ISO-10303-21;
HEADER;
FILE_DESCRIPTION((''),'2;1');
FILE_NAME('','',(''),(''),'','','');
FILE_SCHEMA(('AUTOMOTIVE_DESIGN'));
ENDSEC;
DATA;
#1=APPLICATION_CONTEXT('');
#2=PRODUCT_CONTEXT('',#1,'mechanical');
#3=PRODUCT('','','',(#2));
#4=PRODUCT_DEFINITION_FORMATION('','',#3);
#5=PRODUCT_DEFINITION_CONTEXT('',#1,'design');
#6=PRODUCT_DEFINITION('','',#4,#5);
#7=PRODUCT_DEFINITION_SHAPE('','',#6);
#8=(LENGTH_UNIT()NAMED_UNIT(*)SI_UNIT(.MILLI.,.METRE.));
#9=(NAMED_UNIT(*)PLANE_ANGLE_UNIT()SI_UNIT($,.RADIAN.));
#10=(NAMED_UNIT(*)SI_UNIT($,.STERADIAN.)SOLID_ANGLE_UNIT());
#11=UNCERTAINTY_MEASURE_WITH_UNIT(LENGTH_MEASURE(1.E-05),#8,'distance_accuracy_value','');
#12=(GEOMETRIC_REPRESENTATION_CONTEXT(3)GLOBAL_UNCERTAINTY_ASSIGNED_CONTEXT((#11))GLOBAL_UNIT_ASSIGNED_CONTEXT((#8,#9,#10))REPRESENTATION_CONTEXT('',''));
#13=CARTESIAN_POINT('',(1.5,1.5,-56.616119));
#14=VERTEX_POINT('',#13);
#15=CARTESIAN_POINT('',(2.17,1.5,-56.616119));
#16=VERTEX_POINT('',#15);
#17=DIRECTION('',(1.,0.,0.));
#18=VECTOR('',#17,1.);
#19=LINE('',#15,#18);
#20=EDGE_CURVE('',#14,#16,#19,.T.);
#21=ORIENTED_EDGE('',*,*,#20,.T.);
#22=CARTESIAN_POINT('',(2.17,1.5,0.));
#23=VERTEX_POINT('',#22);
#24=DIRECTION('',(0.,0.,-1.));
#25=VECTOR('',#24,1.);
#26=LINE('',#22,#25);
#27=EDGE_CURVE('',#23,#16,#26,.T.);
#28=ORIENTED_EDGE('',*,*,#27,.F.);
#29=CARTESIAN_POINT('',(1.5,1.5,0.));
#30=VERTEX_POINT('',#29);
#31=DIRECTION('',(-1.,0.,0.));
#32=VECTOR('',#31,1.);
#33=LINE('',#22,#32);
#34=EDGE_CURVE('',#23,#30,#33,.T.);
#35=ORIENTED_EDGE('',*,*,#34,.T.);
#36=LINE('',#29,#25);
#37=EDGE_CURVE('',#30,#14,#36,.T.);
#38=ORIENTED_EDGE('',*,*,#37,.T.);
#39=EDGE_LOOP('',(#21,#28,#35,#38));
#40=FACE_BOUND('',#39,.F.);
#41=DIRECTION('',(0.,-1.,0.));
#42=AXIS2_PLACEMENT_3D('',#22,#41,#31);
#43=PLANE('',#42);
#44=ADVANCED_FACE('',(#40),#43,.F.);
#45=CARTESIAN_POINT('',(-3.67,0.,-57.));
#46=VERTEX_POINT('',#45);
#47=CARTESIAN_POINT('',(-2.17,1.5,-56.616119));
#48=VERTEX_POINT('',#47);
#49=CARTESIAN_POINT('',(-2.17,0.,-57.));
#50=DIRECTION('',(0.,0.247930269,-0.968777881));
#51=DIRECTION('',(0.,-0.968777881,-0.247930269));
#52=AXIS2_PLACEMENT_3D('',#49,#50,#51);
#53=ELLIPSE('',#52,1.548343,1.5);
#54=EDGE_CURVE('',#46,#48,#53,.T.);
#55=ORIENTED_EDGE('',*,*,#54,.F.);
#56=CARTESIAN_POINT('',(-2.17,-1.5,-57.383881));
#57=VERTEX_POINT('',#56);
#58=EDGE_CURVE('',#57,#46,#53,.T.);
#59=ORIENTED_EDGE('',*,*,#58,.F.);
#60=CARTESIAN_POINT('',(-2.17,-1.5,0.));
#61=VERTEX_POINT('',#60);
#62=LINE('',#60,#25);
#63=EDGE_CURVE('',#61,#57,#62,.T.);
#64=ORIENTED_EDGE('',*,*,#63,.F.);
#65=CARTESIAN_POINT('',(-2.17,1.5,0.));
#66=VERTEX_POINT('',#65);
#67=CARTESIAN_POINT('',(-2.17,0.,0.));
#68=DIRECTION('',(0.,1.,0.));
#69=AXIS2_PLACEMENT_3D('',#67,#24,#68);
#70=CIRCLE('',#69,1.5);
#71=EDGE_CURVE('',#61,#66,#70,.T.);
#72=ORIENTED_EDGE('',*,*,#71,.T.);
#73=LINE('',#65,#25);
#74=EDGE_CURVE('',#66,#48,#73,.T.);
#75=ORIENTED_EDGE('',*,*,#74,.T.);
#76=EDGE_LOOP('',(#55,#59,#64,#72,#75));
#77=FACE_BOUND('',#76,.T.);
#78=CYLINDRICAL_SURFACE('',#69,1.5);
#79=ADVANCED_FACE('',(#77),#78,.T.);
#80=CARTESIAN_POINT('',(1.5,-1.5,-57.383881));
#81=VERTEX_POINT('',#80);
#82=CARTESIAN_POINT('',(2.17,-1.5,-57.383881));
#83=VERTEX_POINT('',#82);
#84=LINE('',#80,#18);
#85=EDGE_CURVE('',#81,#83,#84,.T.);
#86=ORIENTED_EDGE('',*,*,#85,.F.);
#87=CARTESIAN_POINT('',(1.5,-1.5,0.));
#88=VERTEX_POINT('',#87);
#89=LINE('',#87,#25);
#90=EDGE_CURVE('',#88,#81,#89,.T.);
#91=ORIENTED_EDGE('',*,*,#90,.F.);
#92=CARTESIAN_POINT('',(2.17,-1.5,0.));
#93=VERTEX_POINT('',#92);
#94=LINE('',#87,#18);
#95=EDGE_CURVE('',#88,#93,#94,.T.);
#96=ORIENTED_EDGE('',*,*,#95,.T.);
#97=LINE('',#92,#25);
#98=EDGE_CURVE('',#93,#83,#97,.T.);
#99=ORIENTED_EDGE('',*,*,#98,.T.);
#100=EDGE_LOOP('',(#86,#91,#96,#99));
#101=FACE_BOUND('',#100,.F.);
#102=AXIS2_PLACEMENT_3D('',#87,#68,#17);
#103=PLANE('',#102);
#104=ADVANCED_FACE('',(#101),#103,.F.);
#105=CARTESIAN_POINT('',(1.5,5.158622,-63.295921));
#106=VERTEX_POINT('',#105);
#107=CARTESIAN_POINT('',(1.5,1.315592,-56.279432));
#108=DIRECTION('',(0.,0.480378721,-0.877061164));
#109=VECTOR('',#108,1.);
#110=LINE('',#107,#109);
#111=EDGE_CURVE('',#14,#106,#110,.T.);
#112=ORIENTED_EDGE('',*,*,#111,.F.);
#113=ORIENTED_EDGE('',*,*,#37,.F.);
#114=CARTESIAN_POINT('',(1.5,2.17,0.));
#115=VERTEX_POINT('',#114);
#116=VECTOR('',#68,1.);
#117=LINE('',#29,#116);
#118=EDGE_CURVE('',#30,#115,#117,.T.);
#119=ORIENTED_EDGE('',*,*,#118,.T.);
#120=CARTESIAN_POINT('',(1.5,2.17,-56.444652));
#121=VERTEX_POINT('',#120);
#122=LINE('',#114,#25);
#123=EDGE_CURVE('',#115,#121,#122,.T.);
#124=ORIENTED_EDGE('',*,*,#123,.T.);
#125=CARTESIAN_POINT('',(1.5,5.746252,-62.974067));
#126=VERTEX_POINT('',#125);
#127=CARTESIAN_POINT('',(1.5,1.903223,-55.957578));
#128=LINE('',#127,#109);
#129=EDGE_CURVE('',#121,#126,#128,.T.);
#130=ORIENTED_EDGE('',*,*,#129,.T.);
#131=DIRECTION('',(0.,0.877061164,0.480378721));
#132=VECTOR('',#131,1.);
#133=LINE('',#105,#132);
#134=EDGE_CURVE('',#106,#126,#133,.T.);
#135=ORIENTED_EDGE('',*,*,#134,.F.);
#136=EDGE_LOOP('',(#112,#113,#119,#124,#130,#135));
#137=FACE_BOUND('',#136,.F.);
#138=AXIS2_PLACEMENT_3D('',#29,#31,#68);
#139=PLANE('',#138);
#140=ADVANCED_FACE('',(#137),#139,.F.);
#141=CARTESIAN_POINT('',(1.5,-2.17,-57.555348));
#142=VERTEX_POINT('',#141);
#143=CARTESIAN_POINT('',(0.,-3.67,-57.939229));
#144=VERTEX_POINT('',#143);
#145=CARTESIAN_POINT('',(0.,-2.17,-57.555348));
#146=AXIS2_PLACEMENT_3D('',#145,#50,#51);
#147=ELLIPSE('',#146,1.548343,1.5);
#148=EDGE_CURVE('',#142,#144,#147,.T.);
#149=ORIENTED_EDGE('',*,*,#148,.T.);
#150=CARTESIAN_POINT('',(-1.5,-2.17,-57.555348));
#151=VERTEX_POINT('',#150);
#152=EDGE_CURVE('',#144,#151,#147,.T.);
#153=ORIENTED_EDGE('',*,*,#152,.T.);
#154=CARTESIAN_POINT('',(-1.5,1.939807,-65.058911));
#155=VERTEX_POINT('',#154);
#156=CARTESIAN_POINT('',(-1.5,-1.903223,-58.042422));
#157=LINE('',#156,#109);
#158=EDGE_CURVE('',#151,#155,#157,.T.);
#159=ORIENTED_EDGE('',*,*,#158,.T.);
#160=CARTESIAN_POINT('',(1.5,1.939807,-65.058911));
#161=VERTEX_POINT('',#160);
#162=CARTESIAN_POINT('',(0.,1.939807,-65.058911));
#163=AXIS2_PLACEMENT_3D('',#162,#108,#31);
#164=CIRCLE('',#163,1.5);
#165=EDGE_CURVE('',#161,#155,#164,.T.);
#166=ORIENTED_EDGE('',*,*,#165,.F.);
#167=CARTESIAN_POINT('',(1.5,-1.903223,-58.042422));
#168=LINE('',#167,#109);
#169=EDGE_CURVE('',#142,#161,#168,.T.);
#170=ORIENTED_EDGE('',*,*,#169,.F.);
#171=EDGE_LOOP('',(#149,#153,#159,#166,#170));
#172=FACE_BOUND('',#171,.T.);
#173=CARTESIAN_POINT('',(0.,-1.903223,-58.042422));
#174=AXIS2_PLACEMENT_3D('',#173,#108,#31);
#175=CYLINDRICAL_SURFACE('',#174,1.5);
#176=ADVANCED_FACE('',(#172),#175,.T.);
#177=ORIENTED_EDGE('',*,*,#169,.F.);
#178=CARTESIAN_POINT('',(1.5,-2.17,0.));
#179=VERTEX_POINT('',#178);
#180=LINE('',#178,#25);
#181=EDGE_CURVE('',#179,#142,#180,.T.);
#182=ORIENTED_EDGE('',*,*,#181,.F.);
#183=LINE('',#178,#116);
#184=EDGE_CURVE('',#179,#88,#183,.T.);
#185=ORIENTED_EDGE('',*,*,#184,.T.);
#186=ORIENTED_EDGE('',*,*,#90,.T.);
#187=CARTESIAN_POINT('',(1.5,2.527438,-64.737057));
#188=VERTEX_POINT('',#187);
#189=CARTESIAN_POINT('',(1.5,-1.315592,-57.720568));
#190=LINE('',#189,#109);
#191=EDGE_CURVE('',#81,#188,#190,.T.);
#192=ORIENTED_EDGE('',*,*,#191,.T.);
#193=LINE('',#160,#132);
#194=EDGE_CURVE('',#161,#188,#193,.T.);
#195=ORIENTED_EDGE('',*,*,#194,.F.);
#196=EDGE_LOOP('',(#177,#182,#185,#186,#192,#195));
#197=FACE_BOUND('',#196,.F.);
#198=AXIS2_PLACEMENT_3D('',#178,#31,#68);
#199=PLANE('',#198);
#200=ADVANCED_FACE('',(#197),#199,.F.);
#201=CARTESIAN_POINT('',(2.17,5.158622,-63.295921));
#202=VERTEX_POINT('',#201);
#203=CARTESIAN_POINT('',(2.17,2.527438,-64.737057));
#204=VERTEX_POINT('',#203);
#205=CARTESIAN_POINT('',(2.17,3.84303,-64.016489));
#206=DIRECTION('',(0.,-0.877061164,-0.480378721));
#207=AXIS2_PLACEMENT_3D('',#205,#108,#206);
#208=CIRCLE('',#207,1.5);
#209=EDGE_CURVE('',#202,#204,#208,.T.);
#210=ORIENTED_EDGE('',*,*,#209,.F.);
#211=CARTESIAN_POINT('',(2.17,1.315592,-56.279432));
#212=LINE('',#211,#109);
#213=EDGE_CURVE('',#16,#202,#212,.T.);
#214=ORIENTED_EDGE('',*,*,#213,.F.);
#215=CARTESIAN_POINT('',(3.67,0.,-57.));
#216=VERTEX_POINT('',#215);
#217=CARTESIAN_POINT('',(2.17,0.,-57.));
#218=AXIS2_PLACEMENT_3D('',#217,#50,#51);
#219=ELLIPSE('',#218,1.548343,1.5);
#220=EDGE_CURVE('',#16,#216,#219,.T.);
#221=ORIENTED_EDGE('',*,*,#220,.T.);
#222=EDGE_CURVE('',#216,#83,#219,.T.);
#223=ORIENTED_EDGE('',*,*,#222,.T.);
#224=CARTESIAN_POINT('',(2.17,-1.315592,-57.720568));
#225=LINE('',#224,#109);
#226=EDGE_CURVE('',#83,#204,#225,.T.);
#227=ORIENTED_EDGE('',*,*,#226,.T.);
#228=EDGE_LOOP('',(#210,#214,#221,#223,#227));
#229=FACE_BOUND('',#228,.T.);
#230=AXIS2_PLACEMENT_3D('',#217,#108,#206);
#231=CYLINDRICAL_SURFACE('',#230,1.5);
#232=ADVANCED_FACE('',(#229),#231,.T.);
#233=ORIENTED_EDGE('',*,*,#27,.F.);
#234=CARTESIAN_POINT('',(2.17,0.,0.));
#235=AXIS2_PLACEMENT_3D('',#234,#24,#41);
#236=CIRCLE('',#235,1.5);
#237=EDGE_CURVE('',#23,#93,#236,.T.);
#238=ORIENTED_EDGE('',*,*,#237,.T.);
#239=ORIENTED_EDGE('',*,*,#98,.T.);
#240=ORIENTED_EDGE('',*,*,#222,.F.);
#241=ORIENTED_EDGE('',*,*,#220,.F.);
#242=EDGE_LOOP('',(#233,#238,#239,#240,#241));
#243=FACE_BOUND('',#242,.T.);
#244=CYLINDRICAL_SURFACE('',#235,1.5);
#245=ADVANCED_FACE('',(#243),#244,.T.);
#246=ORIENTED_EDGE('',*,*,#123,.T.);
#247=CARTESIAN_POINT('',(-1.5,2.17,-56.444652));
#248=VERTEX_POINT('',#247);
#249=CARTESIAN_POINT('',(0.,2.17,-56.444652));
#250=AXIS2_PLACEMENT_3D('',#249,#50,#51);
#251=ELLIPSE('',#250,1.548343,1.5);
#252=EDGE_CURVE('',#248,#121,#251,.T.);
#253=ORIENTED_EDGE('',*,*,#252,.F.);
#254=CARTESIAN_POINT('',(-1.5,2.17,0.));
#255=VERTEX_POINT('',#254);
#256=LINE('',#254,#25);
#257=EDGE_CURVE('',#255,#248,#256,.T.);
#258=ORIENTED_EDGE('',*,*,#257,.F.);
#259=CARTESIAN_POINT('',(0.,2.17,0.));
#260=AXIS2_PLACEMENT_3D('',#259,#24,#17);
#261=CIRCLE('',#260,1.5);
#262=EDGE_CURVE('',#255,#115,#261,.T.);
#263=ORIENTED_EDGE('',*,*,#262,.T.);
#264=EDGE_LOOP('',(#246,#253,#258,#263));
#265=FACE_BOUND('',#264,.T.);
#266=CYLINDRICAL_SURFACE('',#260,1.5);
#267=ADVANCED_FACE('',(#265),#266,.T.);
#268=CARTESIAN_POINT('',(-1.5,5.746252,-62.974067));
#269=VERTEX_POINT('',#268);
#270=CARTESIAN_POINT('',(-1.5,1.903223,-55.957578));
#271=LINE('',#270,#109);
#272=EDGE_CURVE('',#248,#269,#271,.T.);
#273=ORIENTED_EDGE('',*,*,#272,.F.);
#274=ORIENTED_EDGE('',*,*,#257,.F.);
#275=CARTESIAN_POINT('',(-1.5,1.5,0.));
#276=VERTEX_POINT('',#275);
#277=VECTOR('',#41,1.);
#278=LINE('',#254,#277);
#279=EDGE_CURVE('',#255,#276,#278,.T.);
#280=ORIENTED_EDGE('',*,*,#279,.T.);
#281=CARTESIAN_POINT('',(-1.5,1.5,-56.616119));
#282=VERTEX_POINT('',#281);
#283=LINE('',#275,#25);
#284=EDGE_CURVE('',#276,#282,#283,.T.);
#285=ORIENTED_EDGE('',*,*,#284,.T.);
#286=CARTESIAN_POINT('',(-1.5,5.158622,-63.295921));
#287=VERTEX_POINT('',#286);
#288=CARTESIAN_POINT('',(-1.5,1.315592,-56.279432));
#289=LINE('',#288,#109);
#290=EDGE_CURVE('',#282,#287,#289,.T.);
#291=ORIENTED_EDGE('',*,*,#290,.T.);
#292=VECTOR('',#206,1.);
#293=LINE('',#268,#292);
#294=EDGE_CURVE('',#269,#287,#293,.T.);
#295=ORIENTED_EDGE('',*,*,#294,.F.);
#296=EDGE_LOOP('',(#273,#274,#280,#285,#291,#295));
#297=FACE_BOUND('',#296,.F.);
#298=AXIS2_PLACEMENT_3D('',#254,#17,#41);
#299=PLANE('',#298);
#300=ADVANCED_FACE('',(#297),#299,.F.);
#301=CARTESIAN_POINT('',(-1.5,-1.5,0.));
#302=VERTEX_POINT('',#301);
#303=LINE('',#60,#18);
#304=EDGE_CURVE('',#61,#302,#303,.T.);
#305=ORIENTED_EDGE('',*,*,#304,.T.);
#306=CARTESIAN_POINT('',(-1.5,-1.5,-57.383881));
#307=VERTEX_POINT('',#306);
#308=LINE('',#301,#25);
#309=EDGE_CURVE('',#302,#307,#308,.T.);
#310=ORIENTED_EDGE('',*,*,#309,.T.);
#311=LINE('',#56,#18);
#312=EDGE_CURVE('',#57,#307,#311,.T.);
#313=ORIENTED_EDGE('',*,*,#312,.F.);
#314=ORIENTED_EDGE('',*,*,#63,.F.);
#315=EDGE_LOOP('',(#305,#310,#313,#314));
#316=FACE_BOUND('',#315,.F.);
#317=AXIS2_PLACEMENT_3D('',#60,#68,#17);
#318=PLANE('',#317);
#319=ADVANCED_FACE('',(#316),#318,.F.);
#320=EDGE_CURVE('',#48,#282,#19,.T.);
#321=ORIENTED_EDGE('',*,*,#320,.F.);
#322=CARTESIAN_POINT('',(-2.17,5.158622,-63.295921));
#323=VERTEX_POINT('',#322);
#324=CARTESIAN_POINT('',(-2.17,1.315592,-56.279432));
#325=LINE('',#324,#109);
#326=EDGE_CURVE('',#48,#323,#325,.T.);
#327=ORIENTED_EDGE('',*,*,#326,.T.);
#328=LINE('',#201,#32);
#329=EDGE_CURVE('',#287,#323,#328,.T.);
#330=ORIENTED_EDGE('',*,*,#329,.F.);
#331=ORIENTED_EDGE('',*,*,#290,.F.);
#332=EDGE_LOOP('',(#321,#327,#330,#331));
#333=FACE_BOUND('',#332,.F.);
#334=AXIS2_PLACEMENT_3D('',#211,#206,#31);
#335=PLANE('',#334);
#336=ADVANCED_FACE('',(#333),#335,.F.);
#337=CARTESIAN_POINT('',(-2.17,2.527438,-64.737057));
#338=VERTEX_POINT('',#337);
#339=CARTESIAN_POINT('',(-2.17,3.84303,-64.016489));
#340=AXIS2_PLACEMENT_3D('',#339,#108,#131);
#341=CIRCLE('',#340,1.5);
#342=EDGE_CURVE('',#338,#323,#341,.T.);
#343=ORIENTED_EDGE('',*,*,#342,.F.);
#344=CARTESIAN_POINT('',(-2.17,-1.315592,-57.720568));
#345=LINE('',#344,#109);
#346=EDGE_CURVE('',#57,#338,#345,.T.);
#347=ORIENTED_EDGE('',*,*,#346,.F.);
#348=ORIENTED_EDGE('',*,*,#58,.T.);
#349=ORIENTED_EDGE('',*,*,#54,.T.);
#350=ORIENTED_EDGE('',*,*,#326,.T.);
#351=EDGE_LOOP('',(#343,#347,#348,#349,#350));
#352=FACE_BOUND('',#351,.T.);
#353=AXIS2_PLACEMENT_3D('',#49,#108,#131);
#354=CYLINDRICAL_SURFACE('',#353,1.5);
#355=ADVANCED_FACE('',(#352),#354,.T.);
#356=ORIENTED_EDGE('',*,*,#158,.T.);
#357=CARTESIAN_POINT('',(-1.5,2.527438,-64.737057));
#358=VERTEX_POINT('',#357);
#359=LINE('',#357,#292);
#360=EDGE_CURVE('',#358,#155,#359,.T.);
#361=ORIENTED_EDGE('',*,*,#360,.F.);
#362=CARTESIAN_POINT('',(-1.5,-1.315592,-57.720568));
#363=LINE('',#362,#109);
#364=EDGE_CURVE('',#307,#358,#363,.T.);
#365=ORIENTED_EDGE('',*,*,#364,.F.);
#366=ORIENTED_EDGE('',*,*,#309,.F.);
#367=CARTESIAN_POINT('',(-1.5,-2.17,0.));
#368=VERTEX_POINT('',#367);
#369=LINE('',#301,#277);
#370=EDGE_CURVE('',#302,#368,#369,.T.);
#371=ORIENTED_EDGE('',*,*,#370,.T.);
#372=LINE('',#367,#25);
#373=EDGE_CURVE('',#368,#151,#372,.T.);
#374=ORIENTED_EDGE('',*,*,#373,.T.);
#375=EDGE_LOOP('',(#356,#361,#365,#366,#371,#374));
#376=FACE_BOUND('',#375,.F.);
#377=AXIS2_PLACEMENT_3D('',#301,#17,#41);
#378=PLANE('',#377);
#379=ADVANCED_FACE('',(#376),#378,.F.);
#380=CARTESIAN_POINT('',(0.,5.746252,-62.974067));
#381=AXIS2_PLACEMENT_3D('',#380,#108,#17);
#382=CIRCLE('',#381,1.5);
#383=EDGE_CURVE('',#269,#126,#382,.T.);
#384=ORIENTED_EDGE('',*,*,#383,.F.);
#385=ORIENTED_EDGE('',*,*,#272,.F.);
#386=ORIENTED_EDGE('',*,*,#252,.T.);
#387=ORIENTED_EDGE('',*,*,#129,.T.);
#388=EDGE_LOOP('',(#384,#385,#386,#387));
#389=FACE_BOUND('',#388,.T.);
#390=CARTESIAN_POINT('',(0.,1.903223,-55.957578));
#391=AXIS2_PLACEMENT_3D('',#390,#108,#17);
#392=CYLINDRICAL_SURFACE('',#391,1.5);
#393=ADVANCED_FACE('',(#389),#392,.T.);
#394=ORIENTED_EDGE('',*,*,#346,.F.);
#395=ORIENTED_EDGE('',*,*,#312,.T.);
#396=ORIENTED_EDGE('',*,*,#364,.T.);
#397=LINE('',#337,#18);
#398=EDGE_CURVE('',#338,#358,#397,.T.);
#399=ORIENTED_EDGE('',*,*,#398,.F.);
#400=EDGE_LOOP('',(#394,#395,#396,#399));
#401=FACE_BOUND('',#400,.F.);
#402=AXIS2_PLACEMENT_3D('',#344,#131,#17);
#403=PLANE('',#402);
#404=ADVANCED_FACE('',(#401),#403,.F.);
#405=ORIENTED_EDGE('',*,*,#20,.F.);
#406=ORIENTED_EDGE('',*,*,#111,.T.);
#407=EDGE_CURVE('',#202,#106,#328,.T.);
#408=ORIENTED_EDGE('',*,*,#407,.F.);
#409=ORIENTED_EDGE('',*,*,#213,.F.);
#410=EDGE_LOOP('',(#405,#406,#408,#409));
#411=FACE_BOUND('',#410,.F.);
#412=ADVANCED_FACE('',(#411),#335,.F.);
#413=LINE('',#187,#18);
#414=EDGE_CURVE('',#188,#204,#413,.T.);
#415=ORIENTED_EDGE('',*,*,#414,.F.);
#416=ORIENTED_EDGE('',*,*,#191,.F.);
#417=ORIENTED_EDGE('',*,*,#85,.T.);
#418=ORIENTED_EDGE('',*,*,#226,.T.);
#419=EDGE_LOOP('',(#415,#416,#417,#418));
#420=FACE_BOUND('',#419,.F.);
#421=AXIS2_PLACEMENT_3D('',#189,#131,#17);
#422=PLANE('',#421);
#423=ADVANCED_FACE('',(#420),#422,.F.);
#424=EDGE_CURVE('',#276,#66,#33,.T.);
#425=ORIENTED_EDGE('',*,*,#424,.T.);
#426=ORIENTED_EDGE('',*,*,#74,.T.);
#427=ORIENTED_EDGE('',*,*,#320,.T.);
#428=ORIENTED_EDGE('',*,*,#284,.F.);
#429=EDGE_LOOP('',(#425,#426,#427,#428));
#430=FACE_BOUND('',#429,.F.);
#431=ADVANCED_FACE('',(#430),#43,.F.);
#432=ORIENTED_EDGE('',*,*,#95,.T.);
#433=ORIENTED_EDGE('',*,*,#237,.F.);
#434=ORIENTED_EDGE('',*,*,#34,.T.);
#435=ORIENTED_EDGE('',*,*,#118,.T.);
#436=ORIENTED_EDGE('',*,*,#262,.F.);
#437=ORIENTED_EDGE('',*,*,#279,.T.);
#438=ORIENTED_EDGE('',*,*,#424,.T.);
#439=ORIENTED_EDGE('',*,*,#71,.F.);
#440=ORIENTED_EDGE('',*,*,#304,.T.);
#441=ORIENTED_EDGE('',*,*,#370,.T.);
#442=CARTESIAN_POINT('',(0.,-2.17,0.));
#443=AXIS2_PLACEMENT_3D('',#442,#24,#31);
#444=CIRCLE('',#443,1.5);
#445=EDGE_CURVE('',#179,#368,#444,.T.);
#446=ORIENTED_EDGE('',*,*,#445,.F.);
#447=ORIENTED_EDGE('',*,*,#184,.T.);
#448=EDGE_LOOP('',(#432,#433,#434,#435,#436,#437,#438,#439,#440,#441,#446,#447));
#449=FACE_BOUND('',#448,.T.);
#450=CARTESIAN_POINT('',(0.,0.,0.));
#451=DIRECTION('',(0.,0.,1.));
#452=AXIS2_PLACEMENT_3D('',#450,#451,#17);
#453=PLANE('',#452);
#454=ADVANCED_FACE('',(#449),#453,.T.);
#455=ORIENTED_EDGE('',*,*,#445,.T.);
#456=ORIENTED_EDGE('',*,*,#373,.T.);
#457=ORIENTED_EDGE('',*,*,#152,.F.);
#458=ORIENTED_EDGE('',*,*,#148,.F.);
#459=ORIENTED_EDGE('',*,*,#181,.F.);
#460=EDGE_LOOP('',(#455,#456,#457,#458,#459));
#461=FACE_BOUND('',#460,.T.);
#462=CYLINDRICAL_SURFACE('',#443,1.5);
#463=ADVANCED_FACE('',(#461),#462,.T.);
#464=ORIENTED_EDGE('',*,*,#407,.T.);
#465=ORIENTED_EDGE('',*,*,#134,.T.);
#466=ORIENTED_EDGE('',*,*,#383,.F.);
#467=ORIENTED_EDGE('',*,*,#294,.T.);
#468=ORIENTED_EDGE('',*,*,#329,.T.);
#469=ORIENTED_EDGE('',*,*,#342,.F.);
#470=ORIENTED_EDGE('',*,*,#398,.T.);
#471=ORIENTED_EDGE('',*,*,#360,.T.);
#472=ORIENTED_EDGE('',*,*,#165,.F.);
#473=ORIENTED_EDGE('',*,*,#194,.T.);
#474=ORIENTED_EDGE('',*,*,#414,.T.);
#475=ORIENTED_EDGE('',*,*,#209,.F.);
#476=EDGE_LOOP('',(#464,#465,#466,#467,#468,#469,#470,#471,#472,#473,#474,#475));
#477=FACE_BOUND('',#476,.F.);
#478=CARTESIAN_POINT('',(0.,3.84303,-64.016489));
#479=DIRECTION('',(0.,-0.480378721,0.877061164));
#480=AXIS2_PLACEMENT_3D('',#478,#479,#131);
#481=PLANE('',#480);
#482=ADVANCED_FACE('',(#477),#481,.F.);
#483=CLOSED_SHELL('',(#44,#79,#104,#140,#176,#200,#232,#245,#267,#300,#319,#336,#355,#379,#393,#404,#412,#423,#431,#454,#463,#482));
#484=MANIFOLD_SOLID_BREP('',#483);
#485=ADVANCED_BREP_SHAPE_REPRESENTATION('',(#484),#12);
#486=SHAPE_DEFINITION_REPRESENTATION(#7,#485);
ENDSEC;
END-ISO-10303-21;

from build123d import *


with BuildPart() as f2:
    # F2: sweep along a path in F1
    with BuildLine(Plane.YZ) as f2_path:
        Line((0, 0), (0, -57))
        Line((0, -57), (3.843029767, -64.016489308))
    # F0 (on Top) → F2 (sweep)
    with BuildSketch(Plane.XY):
        with BuildLine():
            Line((0, -1.5), (0, 0))
            Line((0, 0), (-1.5, 0))
            ThreePointArc((-1.5, 0), (-1.0606601718, -1.0606601718), (0, -1.5))
        make_face()
        with BuildLine():
            Line((0, 0), (0, 1.5))
            ThreePointArc((0, 1.5), (-1.0606601718, 1.0606601718), (-1.5, 0))
            Line((-1.5, 0), (0, 0))
        make_face()
        with BuildLine():
            Line((-1.5, -1.5), (-1.5, 0))
            Line((-1.5, 0), (-1.5, 1.5))
            Line((-1.5, 1.5), (-2.17, 1.5))
            ThreePointArc((-2.17, 1.5), (-3.67, 0), (-2.17, -1.5))
            Line((-2.17, -1.5), (-1.5, -1.5))
        make_face()
        with BuildLine():
            Line((0, 0), (1.5, 0))
            ThreePointArc((1.5, 0), (1.0606601718, 1.0606601718), (0, 1.5))
            Line((0, 1.5), (0, 0))
        make_face()
        with BuildLine():
            Line((1.5, -1.5), (1.5, 0))
            ThreePointArc((1.5, 0), (1.0606601718, -1.0606601718), (0, -1.5))
            Line((0, -1.5), (1.5, -1.5))
        make_face()
        with BuildLine():
            Line((-1.5, -1.5), (0, -1.5))
            ThreePointArc((0, -1.5), (-1.0606601718, -1.0606601718), (-1.5, 0))
            Line((-1.5, 0), (-1.5, -1.5))
        make_face()
        with BuildLine():
            ThreePointArc((-1.5, 0), (-1.0606601718, 1.0606601718), (0, 1.5))
            Line((0, 1.5), (-1.5, 1.5))
            Line((-1.5, 1.5), (-1.5, 0))
        make_face()
        with BuildLine():
            Line((1.5, -1.5), (0, -1.5))
            Line((0, -1.5), (-1.5, -1.5))
            Line((-1.5, -1.5), (-1.5, -2.17))
            ThreePointArc((-1.5, -2.17), (0, -3.67), (1.5, -2.17))
            Line((1.5, -2.17), (1.5, -1.5))
        make_face()
        with BuildLine():
            Line((2.17, 1.5), (1.5, 1.5))
            Line((1.5, 1.5), (1.5, 0))
            Line((1.5, 0), (1.5, -1.5))
            Line((1.5, -1.5), (2.17, -1.5))
            ThreePointArc((2.17, -1.5), (3.67, 0), (2.17, 1.5))
        make_face()
        with BuildLine():
            ThreePointArc((0, -1.5), (1.0606601718, -1.0606601718), (1.5, 0))
            Line((1.5, 0), (0, 0))
            Line((0, 0), (0, -1.5))
        make_face()
        with BuildLine():
            Line((1.5, 0), (1.5, 1.5))
            Line((1.5, 1.5), (0, 1.5))
            ThreePointArc((0, 1.5), (1.0606601718, 1.0606601718), (1.5, 0))
        make_face()
        with BuildLine():
            Line((0, 1.5), (1.5, 1.5))
            Line((1.5, 1.5), (1.5, 2.17))
            ThreePointArc((1.5, 2.17), (0, 3.67), (-1.5, 2.17))
            Line((-1.5, 2.17), (-1.5, 1.5))
            Line((-1.5, 1.5), (0, 1.5))
        make_face()
    sweep(path=f2_path.line, transition=Transition.RIGHT)


solid = f2.part
